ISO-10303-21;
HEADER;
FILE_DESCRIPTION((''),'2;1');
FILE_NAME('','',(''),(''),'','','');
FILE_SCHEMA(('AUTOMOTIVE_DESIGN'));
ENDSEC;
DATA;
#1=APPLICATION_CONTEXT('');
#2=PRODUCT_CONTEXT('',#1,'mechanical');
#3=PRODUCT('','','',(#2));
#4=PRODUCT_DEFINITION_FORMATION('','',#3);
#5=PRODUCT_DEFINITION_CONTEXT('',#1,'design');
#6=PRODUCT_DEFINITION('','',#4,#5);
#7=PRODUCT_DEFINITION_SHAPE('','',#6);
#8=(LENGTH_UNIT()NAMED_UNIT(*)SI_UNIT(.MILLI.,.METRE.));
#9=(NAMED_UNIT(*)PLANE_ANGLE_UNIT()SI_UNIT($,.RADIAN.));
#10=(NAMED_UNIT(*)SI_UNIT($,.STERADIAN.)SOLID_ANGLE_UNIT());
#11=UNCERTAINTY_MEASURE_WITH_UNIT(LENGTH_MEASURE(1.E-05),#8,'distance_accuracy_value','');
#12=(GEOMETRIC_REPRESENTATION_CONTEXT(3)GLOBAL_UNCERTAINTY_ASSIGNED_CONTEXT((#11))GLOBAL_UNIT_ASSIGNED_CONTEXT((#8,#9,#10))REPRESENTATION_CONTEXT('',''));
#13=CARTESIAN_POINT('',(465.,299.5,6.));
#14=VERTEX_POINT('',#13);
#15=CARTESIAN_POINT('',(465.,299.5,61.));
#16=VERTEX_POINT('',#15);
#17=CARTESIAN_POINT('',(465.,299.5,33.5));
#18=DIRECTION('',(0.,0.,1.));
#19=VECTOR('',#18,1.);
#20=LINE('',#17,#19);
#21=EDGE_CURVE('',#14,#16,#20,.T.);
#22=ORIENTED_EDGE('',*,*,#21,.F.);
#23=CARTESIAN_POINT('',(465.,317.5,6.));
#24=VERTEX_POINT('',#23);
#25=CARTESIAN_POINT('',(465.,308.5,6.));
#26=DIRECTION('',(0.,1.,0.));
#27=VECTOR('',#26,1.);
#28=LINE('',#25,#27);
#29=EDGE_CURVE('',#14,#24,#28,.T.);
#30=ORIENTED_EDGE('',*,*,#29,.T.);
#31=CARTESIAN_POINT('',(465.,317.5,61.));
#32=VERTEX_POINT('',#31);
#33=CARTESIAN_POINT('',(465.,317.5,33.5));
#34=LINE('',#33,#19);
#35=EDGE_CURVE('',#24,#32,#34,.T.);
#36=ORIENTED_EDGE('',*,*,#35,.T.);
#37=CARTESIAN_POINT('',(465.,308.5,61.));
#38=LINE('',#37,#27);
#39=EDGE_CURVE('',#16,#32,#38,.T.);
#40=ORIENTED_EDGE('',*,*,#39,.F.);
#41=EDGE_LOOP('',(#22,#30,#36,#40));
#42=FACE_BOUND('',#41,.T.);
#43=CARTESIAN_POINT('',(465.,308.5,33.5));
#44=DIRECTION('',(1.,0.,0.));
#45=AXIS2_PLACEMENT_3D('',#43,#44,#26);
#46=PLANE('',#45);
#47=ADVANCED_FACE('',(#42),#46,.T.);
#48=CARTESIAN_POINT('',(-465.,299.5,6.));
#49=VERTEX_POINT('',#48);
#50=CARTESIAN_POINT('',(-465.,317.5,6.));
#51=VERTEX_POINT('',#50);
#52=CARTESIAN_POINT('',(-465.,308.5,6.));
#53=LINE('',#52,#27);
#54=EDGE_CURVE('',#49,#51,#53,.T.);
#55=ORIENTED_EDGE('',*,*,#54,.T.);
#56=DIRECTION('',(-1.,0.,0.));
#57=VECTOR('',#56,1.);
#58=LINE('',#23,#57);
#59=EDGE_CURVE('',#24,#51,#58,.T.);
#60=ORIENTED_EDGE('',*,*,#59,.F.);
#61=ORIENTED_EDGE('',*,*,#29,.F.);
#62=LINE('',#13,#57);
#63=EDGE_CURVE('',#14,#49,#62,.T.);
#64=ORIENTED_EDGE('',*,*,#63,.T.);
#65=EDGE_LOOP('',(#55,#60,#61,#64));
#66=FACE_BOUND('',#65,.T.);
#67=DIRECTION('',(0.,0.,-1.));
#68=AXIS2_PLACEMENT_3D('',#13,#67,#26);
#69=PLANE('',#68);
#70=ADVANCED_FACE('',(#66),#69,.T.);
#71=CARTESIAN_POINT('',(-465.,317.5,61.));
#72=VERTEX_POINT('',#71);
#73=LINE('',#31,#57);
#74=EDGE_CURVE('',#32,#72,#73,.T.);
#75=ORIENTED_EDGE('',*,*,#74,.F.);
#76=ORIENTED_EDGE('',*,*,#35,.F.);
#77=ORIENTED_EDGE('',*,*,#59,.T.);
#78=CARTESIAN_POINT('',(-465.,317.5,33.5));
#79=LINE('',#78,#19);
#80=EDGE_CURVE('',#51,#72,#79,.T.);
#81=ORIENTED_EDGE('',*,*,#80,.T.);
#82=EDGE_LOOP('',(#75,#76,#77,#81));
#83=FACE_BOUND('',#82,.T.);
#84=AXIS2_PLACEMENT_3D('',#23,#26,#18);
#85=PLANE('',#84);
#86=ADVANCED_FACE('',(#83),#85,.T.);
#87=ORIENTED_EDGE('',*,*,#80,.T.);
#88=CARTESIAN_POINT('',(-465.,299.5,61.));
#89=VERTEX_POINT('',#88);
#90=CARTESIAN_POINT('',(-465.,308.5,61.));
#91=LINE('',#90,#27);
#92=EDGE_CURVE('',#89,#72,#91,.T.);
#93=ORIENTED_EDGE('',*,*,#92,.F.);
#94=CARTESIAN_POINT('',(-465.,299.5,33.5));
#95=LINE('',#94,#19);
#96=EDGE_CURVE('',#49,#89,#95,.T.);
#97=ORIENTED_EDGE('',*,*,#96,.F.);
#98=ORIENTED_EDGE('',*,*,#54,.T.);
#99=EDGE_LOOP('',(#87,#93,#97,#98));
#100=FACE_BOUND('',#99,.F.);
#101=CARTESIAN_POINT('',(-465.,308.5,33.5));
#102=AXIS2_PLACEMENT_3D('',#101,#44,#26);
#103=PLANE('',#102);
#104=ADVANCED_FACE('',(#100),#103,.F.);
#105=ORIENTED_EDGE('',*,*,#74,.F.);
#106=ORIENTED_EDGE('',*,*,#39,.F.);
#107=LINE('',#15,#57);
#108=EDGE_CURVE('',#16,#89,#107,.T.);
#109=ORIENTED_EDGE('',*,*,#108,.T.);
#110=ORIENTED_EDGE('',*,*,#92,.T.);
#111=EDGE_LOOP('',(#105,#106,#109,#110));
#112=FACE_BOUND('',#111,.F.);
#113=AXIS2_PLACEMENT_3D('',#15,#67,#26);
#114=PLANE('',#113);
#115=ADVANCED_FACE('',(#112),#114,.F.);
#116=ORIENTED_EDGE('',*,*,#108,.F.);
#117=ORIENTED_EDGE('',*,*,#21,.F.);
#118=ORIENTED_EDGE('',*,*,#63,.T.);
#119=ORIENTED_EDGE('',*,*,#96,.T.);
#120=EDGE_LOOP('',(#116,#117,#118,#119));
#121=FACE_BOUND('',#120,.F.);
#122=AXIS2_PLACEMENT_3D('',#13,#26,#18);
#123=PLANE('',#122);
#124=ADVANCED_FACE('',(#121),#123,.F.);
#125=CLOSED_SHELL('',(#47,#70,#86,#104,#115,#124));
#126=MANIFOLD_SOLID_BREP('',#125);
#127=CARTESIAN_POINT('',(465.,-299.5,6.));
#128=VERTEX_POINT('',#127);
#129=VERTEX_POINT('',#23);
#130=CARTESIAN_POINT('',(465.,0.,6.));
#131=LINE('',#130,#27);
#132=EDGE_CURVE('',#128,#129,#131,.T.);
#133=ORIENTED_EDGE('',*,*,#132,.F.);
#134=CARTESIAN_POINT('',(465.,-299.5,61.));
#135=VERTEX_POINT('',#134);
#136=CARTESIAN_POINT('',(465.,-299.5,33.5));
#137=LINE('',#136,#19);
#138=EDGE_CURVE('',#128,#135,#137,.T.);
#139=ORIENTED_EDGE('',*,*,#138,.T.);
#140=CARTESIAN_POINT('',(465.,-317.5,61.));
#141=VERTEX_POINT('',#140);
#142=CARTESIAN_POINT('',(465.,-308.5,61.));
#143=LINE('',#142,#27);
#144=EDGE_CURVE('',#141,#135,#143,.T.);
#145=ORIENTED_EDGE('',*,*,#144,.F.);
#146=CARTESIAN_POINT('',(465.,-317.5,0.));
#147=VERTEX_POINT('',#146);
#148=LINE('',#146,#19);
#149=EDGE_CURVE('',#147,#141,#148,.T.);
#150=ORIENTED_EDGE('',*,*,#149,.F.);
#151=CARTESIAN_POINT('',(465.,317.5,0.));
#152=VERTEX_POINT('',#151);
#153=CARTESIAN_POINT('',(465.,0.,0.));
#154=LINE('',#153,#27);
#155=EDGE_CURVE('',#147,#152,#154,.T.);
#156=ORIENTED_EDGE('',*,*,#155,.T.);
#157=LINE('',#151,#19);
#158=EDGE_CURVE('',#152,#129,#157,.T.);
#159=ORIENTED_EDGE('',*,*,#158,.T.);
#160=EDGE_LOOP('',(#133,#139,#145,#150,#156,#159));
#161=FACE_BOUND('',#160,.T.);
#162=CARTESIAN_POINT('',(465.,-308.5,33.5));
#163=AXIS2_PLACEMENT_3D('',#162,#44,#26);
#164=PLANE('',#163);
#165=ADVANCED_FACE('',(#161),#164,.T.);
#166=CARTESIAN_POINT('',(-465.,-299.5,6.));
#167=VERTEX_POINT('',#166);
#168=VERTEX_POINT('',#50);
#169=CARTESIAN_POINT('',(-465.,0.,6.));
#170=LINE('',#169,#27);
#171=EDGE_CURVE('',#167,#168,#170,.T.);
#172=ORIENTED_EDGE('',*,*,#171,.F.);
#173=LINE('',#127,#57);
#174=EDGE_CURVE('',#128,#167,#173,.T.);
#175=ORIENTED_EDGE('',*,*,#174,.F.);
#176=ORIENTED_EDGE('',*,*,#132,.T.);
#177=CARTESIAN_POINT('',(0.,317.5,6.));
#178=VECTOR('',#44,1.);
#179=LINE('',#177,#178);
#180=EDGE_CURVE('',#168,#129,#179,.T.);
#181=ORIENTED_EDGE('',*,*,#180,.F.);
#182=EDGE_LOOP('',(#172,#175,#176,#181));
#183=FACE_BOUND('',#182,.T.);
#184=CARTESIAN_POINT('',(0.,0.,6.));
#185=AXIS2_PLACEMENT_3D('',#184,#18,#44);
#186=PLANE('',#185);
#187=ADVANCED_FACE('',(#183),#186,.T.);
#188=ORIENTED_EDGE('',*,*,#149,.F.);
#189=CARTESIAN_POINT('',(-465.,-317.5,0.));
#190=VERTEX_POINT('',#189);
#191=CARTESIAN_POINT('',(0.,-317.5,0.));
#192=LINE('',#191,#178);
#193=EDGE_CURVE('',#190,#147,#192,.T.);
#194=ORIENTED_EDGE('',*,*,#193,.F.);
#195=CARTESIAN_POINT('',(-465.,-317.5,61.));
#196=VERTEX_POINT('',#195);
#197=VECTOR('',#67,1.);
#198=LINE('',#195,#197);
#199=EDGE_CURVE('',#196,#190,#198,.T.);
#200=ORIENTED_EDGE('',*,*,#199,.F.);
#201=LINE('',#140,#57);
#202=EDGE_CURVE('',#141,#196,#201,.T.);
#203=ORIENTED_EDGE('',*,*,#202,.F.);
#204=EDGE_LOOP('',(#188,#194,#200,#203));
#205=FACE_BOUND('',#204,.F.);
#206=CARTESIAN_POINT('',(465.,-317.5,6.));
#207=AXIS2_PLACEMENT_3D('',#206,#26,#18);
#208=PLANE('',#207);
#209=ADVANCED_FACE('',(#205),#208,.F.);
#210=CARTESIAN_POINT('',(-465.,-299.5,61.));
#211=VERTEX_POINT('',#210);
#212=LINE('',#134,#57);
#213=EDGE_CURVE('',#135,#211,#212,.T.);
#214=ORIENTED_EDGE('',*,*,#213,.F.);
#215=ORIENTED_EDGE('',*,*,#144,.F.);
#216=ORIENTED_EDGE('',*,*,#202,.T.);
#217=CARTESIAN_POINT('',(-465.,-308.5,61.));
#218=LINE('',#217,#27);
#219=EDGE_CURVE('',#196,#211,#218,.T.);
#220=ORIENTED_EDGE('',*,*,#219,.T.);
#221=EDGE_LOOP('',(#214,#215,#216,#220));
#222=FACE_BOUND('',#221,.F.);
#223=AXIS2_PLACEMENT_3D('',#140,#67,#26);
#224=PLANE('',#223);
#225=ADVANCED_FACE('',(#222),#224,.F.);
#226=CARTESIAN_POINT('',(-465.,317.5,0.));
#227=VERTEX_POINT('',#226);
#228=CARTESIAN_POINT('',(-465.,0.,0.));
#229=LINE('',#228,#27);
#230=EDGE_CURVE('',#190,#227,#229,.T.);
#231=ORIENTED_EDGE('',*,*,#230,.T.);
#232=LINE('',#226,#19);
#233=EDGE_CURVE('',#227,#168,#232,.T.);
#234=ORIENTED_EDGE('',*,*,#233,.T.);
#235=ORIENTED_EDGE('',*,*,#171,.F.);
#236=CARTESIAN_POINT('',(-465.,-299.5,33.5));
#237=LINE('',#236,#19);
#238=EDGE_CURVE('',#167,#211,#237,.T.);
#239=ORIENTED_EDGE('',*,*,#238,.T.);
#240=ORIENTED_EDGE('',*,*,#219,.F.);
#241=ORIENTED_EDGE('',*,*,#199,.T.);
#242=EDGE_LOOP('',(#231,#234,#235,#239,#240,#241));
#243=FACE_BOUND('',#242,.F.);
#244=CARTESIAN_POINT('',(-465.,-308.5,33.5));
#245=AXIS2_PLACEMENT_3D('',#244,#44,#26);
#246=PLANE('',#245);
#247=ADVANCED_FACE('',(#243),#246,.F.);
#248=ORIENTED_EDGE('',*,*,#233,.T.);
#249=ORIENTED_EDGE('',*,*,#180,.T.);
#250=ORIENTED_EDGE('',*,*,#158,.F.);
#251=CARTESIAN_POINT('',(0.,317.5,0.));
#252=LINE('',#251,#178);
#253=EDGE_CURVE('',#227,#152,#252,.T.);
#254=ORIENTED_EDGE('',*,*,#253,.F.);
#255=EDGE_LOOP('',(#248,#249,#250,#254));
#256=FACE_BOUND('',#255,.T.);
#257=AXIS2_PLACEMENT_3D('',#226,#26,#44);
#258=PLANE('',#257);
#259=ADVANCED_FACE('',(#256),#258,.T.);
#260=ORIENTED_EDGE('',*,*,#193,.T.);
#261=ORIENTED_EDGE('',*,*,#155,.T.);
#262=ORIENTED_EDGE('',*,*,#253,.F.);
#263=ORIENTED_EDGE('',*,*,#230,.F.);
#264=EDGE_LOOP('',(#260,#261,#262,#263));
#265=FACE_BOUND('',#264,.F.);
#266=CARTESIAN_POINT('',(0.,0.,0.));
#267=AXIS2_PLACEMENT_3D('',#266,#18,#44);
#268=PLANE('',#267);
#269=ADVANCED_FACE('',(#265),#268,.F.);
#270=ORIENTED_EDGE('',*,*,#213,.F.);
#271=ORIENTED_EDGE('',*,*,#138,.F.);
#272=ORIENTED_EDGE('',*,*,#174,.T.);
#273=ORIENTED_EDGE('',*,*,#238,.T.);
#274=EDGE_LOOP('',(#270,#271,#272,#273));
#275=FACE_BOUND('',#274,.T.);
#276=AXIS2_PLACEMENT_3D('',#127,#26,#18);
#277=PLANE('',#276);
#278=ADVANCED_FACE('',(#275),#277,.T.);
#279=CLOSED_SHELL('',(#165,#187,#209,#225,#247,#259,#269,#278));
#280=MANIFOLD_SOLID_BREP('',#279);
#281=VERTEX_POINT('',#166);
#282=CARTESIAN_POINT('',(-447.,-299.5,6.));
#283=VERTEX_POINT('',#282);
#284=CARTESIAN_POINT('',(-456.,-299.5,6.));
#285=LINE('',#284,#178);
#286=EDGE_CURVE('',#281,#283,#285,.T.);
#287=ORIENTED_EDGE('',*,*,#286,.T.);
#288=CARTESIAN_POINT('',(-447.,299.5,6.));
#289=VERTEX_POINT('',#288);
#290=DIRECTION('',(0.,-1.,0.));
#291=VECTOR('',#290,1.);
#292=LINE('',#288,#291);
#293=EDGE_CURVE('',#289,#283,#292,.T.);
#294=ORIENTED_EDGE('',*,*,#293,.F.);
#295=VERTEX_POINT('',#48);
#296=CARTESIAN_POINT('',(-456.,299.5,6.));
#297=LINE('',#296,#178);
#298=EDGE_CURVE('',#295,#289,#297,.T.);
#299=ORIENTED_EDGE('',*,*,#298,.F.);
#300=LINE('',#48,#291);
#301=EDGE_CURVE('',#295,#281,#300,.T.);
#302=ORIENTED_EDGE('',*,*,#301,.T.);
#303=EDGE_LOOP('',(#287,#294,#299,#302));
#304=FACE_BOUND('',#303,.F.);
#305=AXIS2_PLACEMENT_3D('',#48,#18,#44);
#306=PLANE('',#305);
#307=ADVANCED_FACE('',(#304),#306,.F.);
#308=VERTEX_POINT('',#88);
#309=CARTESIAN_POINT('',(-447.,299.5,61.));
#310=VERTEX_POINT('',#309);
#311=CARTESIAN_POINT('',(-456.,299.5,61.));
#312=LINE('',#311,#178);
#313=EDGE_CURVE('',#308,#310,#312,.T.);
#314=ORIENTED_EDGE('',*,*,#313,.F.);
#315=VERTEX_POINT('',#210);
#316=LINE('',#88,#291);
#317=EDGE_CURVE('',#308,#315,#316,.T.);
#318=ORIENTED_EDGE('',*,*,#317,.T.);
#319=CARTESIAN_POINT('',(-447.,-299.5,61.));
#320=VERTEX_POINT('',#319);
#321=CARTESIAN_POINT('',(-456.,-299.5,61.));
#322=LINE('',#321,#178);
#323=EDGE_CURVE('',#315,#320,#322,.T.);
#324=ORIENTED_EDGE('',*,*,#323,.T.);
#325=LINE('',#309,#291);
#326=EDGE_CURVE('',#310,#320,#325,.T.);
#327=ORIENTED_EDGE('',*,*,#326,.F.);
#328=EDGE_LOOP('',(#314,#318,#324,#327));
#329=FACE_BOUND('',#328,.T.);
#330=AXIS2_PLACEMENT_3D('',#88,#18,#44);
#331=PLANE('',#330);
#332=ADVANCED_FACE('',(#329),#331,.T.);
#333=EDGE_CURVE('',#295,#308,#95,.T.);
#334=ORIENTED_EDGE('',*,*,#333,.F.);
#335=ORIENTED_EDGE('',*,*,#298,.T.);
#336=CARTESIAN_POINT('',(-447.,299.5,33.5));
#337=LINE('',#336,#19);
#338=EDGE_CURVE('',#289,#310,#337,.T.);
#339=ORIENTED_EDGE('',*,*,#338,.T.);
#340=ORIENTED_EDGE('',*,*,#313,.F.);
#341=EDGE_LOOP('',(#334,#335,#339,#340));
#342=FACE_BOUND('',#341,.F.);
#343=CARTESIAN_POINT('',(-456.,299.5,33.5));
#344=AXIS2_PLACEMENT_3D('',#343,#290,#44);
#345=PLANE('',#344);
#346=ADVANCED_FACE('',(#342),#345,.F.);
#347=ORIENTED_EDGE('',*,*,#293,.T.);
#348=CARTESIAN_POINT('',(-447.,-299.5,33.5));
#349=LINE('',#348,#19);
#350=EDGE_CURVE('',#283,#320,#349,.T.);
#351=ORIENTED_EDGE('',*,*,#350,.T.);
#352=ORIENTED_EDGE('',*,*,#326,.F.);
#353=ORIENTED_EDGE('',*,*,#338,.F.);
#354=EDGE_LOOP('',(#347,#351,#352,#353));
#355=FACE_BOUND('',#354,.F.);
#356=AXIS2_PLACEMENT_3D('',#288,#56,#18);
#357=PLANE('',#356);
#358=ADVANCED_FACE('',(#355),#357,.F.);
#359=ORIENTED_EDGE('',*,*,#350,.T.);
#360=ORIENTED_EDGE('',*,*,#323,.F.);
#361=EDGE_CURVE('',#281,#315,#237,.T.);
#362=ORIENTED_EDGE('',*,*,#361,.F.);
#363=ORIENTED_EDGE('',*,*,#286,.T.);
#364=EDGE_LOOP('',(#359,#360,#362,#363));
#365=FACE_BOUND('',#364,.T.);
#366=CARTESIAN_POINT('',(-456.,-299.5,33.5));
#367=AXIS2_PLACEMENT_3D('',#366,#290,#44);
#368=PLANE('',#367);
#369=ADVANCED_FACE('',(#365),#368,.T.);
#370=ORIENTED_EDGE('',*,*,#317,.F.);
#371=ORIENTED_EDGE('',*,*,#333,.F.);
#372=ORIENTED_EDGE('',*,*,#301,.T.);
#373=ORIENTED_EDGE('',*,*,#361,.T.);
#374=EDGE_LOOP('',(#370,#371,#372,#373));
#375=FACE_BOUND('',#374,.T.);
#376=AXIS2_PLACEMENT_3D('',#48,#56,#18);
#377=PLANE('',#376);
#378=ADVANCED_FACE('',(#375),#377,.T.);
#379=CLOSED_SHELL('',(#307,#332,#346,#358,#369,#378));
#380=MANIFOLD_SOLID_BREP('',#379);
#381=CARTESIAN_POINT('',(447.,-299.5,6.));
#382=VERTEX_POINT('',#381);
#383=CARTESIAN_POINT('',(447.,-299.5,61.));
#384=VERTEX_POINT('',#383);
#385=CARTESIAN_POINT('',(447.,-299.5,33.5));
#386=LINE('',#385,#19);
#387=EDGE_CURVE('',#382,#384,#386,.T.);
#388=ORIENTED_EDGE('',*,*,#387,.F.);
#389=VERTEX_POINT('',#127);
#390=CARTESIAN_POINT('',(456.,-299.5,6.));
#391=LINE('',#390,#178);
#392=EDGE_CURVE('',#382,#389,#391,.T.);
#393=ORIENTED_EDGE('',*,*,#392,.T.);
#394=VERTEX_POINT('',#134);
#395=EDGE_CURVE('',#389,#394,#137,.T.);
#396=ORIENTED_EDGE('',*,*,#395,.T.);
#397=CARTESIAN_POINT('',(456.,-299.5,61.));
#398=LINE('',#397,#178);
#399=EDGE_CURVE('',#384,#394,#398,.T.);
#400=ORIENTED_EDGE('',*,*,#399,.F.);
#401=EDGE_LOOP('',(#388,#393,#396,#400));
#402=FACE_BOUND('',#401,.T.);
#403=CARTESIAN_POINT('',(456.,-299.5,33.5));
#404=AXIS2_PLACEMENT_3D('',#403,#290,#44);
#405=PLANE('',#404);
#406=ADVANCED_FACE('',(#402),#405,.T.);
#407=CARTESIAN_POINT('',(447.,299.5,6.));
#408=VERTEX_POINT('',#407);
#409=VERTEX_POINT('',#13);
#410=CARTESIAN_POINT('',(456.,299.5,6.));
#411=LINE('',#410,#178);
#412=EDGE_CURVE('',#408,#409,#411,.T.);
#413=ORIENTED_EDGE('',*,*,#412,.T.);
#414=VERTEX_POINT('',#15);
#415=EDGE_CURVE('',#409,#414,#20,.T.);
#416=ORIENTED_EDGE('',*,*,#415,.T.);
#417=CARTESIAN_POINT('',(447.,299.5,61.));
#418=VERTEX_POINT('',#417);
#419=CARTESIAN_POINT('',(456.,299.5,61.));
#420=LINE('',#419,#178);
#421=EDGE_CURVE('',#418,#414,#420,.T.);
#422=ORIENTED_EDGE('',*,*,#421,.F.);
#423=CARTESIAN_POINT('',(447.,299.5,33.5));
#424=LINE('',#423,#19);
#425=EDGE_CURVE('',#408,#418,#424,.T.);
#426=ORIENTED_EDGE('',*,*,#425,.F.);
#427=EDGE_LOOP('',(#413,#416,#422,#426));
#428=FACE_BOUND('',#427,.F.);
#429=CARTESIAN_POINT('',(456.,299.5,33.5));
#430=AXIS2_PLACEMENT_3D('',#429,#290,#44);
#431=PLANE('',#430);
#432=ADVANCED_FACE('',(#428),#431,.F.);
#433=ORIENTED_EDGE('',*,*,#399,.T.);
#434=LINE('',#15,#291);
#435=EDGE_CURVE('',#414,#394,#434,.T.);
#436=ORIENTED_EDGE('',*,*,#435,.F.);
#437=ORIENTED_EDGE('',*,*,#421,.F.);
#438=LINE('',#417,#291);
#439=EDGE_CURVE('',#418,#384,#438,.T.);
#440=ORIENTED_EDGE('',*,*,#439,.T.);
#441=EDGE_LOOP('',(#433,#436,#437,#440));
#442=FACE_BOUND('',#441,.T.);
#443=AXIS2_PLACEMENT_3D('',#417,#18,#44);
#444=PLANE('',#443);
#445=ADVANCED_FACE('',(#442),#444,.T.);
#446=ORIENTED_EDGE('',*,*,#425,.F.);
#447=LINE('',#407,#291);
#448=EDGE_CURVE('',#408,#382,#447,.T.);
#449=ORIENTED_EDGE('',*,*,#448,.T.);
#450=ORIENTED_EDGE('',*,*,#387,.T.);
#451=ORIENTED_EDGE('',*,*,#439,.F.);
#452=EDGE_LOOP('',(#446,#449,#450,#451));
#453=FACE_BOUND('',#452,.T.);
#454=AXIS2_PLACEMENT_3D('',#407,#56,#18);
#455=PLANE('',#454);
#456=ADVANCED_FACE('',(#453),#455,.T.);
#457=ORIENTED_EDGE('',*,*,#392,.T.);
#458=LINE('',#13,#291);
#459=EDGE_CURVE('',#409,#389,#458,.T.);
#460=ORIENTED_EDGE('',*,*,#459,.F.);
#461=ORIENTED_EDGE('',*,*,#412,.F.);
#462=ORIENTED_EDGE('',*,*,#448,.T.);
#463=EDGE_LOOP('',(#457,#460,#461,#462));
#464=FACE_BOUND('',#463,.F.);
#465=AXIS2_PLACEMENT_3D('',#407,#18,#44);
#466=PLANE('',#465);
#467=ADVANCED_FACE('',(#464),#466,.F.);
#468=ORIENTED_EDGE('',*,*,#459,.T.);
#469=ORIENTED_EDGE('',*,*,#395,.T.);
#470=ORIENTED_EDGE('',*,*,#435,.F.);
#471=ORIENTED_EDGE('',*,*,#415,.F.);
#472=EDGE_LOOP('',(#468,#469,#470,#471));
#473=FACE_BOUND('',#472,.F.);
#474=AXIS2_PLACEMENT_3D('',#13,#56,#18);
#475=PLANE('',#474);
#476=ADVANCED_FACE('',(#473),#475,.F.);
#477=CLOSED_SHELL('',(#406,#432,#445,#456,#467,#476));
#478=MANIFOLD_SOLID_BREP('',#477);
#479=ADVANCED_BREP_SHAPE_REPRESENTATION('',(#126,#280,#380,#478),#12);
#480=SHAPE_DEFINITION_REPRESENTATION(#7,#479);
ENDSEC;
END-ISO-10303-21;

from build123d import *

# Parameters (mm, degrees)
F0_W     = 930
F0_H     = 635
F1_DEPTH = 6
F2_W     = 18
F2_H     = 55
F3_DEPTH = 930
F4_W     = 18
F4_H     = 55
F5_DEPTH = 930
F6_W     = 18
F6_H     = 55
F7_DEPTH = 599
F8_W     = 18
F8_H     = 55
F9_DEPTH = 599


with BuildPart() as f1:
    # F0 (on Top) → F1 (new body)
    with BuildSketch(Plane.XY):
        Rectangle(F0_W, F0_H)
    extrude(amount=F1_DEPTH)

    # F2 (on face) → F3 (join)
    with BuildSketch(Plane.YZ.offset(465)):
        with Locations((-308.5, 33.5)):
            Rectangle(F2_W, F2_H)
    extrude(amount=-F3_DEPTH)


with BuildPart() as f5:
    # F4 (on face) → F5 (new body)
    with BuildSketch(Plane.YZ.offset(465)):
        with Locations((308.5, 33.5)):
            Rectangle(F4_W, F4_H)
    extrude(amount=-F5_DEPTH)


with BuildPart() as f7:
    # F6 (on face) → F7 (new body, through all)
    with BuildSketch(Plane.XZ.offset(-299.5)):
        with Locations((456, 33.5)):
            Rectangle(F6_W, F6_H)
    extrude(amount=F7_DEPTH)


with BuildPart() as f9:
    # F8 (on face) → F9 (new body, through all)
    with BuildSketch(Plane.XZ.offset(-299.5)):
        with Locations((-456, 33.5)):
            Rectangle(F8_W, F8_H)
    extrude(amount=F9_DEPTH)


solid = Compound([f1.part, f5.part, f7.part, f9.part])
